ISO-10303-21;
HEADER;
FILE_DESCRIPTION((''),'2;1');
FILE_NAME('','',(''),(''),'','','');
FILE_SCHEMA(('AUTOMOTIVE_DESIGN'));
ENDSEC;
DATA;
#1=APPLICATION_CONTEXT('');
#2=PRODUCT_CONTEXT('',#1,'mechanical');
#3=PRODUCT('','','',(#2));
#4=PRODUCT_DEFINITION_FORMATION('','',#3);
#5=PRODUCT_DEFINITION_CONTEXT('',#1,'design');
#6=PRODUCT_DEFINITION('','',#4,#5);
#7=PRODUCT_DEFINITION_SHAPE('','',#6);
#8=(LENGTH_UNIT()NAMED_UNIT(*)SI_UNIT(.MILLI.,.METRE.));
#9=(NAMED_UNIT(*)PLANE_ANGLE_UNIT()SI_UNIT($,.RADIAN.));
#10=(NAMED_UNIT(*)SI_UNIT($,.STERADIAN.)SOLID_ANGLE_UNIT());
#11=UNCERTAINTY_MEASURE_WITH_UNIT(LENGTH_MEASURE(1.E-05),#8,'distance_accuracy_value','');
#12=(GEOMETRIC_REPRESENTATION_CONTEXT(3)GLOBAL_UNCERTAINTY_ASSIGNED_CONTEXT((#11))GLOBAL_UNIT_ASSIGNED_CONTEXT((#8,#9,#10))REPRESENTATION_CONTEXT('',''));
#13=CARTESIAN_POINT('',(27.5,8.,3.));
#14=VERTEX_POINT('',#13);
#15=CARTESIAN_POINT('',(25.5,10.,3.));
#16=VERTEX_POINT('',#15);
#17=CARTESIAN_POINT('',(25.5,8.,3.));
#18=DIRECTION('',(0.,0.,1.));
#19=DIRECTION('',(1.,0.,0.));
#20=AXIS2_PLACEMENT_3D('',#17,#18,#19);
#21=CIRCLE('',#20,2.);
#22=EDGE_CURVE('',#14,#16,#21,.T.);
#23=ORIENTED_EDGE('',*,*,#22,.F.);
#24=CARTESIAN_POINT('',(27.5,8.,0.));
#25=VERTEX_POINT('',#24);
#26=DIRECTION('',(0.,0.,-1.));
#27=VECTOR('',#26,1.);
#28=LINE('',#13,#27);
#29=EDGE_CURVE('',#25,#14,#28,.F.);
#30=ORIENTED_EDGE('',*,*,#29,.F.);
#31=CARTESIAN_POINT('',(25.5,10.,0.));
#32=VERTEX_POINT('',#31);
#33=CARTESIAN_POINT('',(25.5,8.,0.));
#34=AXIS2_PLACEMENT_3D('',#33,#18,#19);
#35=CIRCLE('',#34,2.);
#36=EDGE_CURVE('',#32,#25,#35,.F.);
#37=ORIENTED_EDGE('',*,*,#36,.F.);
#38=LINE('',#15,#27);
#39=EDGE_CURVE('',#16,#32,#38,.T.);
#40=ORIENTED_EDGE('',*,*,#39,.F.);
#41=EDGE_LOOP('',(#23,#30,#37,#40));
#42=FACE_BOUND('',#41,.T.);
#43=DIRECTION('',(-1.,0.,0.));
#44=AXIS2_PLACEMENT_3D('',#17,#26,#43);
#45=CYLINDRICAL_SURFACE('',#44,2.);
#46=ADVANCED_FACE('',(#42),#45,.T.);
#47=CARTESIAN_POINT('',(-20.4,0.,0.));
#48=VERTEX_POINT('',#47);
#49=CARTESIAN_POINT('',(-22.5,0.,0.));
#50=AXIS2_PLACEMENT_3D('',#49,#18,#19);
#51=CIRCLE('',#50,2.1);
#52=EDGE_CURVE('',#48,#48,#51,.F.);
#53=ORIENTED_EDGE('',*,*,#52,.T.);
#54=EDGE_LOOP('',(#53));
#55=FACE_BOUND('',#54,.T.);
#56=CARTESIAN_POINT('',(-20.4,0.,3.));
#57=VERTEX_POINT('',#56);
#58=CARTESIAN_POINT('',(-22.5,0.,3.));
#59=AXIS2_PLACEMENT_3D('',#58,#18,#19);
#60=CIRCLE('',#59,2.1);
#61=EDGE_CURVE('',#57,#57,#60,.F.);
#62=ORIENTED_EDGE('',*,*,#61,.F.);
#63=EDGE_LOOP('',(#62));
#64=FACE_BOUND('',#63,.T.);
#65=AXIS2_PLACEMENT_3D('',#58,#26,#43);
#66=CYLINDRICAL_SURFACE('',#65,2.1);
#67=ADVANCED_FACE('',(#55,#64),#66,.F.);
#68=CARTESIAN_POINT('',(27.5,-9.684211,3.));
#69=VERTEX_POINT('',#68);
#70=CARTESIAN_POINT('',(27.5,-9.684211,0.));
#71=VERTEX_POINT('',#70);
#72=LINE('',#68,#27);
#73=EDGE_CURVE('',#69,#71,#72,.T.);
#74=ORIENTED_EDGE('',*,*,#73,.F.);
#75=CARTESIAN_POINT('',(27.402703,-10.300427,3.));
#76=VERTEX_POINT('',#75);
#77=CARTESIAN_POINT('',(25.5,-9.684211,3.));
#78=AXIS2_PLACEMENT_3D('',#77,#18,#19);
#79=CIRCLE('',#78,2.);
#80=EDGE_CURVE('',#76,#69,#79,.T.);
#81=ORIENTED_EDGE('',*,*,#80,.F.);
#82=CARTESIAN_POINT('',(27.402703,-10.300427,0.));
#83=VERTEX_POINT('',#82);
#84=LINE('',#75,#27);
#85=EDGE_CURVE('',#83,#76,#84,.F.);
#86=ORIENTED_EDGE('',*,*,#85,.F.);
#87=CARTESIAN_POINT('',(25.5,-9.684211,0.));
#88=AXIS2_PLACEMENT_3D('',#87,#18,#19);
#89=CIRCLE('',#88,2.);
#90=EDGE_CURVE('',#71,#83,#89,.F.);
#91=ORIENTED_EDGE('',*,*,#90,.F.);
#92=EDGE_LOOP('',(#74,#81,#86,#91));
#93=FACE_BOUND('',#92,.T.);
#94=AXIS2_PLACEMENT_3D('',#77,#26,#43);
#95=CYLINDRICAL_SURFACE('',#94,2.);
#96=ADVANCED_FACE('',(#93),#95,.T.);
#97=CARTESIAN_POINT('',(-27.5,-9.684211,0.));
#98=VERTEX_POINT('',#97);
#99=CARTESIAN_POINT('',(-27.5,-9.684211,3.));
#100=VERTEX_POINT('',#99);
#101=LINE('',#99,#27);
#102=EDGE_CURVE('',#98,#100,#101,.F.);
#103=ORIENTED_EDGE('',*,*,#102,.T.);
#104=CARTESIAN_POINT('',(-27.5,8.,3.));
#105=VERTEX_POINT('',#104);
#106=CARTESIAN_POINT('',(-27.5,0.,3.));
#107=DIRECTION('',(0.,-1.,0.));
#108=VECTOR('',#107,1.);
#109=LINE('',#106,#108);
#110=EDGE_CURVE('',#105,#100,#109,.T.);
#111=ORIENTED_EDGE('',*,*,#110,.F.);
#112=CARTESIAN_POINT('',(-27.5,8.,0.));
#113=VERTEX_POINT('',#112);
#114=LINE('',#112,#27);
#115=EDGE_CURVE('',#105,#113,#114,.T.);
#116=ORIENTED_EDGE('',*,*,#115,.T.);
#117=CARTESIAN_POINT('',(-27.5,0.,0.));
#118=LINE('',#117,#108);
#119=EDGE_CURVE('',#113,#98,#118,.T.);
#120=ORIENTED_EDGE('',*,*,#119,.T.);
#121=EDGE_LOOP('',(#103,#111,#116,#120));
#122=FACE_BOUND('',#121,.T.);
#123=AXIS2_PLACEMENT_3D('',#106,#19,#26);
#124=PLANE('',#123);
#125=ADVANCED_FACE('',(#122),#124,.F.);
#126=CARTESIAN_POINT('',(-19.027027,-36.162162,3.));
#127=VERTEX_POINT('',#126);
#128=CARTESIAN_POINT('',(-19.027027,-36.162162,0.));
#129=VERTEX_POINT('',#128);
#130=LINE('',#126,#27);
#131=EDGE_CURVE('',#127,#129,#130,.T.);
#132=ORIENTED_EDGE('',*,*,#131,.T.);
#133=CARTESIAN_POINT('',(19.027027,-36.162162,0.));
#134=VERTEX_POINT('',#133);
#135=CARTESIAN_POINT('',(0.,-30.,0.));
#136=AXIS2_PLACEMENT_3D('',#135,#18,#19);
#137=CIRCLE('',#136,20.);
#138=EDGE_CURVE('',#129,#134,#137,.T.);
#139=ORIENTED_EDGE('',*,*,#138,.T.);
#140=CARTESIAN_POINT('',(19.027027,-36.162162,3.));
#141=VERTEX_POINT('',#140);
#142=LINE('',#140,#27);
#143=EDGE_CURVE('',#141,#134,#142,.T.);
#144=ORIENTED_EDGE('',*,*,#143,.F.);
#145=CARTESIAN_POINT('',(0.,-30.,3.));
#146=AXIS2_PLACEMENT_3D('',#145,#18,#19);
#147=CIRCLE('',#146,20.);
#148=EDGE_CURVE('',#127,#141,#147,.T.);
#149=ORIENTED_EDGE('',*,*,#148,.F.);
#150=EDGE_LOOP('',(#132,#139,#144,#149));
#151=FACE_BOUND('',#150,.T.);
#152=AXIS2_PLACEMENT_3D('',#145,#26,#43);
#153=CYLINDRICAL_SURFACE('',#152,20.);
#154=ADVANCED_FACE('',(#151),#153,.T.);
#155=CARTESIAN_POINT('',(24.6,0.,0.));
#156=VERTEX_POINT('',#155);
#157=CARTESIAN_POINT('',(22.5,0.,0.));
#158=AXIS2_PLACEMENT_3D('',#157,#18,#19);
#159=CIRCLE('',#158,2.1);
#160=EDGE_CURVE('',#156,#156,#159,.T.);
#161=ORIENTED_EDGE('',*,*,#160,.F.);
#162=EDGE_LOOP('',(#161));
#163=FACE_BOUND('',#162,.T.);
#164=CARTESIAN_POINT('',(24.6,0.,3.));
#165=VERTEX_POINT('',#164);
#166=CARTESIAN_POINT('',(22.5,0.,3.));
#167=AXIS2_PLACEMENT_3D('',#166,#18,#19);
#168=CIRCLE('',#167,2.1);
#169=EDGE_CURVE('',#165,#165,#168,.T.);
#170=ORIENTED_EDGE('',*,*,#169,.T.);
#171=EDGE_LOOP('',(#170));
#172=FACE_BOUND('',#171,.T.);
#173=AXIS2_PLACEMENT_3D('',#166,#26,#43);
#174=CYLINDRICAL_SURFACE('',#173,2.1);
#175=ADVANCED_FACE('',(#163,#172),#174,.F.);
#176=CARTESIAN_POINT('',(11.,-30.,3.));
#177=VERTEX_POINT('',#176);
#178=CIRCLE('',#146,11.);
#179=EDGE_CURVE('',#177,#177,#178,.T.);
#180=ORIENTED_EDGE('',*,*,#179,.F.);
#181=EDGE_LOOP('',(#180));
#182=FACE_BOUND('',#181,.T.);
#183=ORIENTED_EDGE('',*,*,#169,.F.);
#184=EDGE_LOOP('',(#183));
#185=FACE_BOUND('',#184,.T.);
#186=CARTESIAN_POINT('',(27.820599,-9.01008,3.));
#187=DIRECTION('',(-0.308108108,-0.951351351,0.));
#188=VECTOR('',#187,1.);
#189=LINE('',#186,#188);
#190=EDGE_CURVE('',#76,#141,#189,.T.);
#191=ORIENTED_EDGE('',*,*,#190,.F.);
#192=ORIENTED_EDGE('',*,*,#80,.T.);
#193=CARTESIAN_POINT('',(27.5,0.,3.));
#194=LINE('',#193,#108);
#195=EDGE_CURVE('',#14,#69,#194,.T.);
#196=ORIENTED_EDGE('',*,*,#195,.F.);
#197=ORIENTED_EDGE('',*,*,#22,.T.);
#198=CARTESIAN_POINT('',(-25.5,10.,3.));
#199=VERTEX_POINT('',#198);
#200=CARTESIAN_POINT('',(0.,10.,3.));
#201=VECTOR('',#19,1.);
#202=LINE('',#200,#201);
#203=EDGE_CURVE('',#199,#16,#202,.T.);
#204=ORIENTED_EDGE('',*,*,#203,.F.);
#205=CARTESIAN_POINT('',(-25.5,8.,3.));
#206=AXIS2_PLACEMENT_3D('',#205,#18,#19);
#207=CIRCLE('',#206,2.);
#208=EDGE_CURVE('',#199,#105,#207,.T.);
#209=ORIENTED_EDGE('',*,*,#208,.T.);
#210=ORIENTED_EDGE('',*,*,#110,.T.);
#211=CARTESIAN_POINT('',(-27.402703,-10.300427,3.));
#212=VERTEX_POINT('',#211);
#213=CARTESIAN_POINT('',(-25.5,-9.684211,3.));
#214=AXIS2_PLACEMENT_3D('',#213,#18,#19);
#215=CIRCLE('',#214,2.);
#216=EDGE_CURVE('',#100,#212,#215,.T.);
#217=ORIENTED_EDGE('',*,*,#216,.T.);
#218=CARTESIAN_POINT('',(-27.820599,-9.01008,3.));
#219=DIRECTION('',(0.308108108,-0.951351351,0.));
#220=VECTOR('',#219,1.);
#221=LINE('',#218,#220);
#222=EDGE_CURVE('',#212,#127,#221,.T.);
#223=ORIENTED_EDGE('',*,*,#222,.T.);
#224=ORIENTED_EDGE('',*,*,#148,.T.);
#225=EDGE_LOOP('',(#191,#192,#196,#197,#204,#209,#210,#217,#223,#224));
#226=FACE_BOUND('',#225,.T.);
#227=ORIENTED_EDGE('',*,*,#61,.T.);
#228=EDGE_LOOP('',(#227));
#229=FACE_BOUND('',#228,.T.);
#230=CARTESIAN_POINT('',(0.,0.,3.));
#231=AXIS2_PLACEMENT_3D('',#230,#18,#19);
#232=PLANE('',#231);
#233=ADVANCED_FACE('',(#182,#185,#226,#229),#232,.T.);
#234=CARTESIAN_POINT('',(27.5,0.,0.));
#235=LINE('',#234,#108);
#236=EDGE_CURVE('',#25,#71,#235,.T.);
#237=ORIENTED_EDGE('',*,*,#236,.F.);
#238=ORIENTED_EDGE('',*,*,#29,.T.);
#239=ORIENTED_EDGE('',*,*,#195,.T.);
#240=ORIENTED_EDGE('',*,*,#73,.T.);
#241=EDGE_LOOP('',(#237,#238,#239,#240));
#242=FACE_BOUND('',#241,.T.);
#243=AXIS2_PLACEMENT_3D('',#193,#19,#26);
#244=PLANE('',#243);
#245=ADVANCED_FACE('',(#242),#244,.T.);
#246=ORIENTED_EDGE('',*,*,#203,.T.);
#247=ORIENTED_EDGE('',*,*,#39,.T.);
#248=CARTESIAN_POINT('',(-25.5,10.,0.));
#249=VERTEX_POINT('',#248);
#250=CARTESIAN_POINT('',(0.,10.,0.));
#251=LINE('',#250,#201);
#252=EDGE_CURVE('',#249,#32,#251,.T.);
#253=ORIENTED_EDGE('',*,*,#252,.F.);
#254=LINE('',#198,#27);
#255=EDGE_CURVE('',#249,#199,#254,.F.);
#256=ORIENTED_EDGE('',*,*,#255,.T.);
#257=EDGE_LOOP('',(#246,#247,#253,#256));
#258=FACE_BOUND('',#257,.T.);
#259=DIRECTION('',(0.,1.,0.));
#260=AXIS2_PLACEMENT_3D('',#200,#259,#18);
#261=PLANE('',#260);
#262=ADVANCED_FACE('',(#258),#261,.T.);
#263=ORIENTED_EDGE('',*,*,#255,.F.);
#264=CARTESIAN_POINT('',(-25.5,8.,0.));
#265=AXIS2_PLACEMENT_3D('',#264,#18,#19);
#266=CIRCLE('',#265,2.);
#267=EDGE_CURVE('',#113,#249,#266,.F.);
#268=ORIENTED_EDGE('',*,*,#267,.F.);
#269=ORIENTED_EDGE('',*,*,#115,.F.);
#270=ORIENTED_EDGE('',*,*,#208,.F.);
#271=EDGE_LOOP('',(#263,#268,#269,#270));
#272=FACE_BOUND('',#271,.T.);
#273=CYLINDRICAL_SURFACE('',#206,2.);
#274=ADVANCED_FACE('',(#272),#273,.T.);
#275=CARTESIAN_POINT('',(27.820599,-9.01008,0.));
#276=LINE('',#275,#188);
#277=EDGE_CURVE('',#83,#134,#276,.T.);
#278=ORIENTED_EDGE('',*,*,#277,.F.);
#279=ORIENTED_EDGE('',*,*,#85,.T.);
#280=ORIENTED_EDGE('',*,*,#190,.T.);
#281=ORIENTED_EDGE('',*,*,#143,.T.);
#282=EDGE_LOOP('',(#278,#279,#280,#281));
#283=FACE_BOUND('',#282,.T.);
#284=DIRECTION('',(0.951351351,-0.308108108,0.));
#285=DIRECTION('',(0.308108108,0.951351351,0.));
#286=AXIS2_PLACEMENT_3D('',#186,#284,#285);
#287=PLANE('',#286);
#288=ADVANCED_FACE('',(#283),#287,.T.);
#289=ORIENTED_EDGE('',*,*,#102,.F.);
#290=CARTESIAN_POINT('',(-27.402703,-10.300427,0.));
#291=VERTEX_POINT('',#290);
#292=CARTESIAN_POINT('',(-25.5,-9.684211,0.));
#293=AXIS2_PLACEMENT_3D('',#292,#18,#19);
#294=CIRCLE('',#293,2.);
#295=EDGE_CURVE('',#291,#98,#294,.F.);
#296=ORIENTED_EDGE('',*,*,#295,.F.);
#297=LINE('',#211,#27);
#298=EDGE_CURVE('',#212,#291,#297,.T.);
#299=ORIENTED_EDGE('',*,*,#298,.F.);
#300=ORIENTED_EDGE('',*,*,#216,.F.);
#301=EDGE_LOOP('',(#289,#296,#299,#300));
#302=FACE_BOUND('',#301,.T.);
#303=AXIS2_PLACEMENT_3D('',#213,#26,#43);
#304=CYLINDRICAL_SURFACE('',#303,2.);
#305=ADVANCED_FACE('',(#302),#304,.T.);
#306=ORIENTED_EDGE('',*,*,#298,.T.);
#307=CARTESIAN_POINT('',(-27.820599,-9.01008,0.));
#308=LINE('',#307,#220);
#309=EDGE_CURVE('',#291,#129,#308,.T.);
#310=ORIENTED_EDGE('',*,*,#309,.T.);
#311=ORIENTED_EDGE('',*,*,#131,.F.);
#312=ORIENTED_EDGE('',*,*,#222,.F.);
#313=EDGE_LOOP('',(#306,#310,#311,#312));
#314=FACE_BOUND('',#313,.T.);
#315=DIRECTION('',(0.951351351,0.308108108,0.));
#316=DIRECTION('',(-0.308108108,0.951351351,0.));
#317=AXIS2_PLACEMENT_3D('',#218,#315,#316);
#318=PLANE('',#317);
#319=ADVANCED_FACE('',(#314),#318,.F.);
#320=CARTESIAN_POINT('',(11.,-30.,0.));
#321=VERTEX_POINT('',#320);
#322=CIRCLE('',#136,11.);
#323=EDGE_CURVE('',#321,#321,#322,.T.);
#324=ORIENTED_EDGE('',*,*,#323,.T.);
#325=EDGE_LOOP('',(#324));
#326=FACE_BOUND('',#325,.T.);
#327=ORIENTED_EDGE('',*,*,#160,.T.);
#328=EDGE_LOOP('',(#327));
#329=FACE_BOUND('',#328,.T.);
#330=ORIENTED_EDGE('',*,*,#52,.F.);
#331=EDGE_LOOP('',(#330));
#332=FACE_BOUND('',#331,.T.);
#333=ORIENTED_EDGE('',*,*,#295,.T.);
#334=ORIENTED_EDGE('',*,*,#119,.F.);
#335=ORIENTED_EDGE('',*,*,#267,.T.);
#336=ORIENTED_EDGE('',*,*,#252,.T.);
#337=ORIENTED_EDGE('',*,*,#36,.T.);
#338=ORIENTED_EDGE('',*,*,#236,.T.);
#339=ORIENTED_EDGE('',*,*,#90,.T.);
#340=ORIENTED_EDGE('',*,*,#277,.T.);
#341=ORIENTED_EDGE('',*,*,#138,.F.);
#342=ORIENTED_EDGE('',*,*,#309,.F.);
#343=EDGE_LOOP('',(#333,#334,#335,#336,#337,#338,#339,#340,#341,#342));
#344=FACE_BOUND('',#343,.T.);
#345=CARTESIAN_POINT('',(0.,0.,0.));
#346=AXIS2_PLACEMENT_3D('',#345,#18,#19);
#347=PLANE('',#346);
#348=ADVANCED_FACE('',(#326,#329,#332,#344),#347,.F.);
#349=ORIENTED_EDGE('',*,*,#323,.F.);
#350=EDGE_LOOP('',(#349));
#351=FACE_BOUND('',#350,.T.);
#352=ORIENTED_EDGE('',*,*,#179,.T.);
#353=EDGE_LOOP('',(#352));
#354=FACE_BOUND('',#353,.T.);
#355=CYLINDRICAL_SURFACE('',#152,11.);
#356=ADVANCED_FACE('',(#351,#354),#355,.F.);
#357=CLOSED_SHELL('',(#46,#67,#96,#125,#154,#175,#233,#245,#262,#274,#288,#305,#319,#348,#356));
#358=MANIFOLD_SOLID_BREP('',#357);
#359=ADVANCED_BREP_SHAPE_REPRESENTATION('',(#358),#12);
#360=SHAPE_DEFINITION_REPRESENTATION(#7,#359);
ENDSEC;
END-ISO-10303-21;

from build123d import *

# Parameters (mm, degrees)
SKETCH_1_W      = 55
SKETCH_1_H      = 20
SKETCH_1_R      = 2.1
SKETCH_1_R_2    = 20
SKETCH_1_R_3    = 11
EXTRUDE_1_DEPTH = 3
FILLET_1_R      = 2


with BuildPart() as part:
    # ｽｹｯﾁ1 → ﾎﾞｽ - 押し出し1 (new body)
    # profile 1 of 4: a face of its own
    with BuildSketch(Plane.XY):
        Rectangle(SKETCH_1_W, SKETCH_1_H)
        with Locations((22.5, 0)):
            Circle(SKETCH_1_R, mode=Mode.SUBTRACT)
        with Locations((-22.5, 0)):
            Circle(SKETCH_1_R, mode=Mode.SUBTRACT)
    # profile 2 of 4: a face of its own
    with BuildSketch(Plane.XY):
        with BuildLine():
            Line((1.9e-08, -10), (-27.5, -10))
            Line((-27.5, -10), (-19.027027027, -36.162162162))
            ThreePointArc((-19.027027027, -36.162162162), (-16.174721681, -18.236566039), (1.9e-08, -10))
        make_face()
    # profile 3 of 4: a face of its own
    with BuildSketch(Plane.XY):
        with Locations((0, -30)):
            Circle(SKETCH_1_R_2)
        with Locations((0, -30)):
            Circle(SKETCH_1_R_3, mode=Mode.SUBTRACT)
    # profile 4 of 4: a face of its own
    with BuildSketch(Plane.XY):
        with BuildLine():
            Line((19.027027027, -36.162162162), (27.5, -10))
            Line((27.5, -10), (1.9e-08, -10))
            ThreePointArc((1.9e-08, -10), (14.14213563, -15.857864383), (20, -30))
            ThreePointArc((20, -30), (19.755259307, -33.119251469), (19.027027027, -36.162162162))
        make_face()
    extrude(amount=EXTRUDE_1_DEPTH)

    # ﾌｨﾚｯﾄ1
    fillet_1_edges = [part.edges().sort_by_distance(p)[0] for p in [
        (27.5, -10, 1.5),
        (-27.5, -10, 1.5),
        (-27.5, 10, 1.5),
        (27.5, 10, 1.5),
    ]]
    fillet(fillet_1_edges, radius=FILLET_1_R)


solid = part.part
